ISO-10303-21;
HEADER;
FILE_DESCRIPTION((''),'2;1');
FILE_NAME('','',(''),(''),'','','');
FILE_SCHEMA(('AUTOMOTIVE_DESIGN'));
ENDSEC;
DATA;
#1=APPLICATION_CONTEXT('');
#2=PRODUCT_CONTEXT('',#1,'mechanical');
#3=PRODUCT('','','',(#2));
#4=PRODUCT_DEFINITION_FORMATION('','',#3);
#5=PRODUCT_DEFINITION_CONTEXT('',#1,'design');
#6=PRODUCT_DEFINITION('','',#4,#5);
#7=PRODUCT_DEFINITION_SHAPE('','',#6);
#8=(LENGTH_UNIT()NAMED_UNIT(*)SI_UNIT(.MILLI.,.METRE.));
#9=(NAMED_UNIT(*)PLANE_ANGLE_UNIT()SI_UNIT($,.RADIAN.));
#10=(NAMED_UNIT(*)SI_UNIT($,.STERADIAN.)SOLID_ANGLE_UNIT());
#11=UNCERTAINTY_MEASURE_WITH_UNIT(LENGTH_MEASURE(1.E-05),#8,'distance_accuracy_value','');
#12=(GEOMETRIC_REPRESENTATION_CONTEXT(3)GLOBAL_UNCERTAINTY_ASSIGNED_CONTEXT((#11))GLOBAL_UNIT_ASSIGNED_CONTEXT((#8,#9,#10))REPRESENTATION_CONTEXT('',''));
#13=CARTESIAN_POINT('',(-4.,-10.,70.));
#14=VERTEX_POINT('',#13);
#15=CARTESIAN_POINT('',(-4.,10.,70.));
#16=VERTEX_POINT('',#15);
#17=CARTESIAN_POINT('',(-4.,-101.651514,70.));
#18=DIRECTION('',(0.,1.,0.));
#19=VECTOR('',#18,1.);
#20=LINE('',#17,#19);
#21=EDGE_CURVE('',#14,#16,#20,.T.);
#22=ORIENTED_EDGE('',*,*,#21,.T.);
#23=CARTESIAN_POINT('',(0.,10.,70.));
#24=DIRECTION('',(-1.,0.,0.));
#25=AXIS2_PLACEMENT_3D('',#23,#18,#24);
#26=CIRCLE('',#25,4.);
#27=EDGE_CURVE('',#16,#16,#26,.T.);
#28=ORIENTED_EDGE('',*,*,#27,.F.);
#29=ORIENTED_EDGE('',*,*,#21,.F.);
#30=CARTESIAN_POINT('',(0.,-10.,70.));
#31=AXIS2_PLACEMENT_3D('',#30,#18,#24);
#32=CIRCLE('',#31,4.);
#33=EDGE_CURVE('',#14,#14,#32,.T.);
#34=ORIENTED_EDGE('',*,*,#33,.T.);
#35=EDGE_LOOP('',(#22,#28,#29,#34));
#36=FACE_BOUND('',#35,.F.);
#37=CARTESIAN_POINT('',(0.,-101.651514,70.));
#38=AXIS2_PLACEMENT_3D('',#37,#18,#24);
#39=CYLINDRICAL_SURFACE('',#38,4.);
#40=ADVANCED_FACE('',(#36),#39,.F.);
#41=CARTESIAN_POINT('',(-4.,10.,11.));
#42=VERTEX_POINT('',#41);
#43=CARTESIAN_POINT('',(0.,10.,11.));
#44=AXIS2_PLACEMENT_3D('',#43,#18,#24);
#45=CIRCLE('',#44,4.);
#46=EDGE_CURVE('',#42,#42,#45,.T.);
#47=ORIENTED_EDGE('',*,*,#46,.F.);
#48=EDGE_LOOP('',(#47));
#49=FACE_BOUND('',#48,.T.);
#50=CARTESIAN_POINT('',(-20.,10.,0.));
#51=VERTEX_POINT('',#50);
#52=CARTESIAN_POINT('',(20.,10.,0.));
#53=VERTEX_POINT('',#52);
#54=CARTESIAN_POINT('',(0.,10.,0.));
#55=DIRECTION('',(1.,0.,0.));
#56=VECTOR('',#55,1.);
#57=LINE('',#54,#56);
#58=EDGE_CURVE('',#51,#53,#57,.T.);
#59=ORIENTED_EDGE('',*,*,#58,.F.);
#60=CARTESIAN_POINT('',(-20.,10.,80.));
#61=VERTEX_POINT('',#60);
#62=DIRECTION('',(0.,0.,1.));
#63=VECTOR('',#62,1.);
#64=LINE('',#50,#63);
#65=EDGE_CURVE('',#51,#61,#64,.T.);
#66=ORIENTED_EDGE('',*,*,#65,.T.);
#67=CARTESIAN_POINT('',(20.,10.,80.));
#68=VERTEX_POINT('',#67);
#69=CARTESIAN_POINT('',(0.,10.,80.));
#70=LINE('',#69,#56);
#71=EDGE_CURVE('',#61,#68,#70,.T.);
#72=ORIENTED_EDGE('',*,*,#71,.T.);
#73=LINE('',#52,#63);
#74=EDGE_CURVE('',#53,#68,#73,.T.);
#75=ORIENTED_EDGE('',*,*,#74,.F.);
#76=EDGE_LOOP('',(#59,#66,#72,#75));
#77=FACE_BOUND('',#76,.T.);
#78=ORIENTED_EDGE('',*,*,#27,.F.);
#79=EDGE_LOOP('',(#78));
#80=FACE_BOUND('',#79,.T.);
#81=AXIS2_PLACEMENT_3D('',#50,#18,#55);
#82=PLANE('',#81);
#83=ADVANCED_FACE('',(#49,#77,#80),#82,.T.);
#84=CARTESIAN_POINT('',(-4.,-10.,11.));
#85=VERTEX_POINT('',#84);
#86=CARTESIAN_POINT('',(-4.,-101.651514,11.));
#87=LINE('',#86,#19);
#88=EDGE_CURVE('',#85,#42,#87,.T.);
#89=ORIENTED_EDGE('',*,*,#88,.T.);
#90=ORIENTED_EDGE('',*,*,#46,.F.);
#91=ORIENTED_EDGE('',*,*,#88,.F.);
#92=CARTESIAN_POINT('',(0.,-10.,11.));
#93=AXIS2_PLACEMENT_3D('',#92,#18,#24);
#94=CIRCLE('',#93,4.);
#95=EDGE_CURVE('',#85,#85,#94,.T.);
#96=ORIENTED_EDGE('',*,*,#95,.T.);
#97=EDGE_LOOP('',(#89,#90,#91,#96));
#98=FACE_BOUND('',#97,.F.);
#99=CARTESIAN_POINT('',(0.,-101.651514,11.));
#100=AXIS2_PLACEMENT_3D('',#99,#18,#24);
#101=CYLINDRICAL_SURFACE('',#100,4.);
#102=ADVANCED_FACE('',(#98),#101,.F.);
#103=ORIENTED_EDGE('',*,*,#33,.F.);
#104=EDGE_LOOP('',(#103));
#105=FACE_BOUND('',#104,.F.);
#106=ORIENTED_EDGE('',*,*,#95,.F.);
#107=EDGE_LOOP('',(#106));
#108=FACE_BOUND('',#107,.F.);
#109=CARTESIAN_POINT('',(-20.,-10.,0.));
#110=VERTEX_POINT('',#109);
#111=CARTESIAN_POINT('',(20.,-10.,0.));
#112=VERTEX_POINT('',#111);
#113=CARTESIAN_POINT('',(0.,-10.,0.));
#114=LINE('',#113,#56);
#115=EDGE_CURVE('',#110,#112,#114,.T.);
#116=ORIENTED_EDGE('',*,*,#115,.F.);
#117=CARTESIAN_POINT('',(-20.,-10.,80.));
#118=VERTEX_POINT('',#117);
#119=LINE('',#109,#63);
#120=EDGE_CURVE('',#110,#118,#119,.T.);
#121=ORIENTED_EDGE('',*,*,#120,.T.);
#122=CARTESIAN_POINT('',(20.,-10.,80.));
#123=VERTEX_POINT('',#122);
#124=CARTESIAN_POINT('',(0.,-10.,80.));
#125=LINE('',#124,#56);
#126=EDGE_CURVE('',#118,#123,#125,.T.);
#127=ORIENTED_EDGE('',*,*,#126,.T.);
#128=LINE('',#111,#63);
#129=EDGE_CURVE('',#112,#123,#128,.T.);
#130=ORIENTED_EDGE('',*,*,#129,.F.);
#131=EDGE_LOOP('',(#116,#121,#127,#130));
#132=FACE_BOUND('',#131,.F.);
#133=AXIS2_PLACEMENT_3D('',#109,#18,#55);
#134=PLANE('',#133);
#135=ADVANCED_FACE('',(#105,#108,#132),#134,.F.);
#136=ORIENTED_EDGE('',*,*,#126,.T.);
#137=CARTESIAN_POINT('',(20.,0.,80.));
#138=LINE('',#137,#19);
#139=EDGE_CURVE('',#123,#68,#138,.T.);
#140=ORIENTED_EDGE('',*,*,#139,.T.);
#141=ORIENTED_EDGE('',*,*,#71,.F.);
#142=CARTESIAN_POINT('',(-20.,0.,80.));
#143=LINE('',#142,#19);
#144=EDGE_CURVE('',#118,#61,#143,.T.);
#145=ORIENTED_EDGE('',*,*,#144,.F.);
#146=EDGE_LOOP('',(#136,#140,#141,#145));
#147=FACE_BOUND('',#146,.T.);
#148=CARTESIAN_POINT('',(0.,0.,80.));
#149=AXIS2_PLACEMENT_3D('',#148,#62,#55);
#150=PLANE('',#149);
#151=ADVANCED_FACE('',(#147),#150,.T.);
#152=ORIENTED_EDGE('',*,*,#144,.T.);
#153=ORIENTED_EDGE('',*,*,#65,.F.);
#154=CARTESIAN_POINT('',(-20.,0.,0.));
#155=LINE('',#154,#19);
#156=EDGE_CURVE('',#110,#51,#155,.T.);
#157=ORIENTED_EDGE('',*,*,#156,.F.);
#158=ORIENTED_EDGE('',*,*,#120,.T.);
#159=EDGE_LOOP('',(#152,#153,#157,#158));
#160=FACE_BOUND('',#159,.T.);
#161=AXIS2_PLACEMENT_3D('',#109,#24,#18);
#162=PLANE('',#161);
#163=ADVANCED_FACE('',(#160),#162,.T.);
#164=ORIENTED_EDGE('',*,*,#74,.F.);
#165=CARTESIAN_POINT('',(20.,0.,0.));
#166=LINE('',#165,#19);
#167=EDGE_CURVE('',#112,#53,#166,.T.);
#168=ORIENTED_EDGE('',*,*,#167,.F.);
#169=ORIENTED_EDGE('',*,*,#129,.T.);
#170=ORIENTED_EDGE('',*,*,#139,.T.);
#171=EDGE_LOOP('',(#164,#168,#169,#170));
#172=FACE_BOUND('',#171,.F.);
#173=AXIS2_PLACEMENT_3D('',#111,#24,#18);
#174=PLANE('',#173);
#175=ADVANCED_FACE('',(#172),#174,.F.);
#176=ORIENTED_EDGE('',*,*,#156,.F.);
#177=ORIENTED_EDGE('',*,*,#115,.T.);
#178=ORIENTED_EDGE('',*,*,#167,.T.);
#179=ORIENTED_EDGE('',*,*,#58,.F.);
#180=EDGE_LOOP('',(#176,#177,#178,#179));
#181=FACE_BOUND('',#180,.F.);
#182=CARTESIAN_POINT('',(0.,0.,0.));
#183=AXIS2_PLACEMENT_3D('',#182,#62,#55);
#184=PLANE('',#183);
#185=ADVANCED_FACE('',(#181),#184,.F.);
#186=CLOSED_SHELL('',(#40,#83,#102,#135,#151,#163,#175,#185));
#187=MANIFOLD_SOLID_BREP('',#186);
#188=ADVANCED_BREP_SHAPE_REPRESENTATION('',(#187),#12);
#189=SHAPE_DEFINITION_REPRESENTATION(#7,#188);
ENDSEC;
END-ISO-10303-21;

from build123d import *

# Parameters (mm, degrees)
F0_W     = 40
F0_H     = 20
F1_DEPTH = 80
F3_D     = 8


with BuildPart() as f1:
    # F0 (on Top) → F1 (new body)
    with BuildSketch(Plane.XY):
        Rectangle(F0_W, F0_H)
    extrude(amount=F1_DEPTH)

    # F3 (through all)
    with Locations(Plane.XZ.offset(10)):
        with Locations((0, 70), (0, 11)):
            Hole(F3_D / 2)


solid = f1.part
